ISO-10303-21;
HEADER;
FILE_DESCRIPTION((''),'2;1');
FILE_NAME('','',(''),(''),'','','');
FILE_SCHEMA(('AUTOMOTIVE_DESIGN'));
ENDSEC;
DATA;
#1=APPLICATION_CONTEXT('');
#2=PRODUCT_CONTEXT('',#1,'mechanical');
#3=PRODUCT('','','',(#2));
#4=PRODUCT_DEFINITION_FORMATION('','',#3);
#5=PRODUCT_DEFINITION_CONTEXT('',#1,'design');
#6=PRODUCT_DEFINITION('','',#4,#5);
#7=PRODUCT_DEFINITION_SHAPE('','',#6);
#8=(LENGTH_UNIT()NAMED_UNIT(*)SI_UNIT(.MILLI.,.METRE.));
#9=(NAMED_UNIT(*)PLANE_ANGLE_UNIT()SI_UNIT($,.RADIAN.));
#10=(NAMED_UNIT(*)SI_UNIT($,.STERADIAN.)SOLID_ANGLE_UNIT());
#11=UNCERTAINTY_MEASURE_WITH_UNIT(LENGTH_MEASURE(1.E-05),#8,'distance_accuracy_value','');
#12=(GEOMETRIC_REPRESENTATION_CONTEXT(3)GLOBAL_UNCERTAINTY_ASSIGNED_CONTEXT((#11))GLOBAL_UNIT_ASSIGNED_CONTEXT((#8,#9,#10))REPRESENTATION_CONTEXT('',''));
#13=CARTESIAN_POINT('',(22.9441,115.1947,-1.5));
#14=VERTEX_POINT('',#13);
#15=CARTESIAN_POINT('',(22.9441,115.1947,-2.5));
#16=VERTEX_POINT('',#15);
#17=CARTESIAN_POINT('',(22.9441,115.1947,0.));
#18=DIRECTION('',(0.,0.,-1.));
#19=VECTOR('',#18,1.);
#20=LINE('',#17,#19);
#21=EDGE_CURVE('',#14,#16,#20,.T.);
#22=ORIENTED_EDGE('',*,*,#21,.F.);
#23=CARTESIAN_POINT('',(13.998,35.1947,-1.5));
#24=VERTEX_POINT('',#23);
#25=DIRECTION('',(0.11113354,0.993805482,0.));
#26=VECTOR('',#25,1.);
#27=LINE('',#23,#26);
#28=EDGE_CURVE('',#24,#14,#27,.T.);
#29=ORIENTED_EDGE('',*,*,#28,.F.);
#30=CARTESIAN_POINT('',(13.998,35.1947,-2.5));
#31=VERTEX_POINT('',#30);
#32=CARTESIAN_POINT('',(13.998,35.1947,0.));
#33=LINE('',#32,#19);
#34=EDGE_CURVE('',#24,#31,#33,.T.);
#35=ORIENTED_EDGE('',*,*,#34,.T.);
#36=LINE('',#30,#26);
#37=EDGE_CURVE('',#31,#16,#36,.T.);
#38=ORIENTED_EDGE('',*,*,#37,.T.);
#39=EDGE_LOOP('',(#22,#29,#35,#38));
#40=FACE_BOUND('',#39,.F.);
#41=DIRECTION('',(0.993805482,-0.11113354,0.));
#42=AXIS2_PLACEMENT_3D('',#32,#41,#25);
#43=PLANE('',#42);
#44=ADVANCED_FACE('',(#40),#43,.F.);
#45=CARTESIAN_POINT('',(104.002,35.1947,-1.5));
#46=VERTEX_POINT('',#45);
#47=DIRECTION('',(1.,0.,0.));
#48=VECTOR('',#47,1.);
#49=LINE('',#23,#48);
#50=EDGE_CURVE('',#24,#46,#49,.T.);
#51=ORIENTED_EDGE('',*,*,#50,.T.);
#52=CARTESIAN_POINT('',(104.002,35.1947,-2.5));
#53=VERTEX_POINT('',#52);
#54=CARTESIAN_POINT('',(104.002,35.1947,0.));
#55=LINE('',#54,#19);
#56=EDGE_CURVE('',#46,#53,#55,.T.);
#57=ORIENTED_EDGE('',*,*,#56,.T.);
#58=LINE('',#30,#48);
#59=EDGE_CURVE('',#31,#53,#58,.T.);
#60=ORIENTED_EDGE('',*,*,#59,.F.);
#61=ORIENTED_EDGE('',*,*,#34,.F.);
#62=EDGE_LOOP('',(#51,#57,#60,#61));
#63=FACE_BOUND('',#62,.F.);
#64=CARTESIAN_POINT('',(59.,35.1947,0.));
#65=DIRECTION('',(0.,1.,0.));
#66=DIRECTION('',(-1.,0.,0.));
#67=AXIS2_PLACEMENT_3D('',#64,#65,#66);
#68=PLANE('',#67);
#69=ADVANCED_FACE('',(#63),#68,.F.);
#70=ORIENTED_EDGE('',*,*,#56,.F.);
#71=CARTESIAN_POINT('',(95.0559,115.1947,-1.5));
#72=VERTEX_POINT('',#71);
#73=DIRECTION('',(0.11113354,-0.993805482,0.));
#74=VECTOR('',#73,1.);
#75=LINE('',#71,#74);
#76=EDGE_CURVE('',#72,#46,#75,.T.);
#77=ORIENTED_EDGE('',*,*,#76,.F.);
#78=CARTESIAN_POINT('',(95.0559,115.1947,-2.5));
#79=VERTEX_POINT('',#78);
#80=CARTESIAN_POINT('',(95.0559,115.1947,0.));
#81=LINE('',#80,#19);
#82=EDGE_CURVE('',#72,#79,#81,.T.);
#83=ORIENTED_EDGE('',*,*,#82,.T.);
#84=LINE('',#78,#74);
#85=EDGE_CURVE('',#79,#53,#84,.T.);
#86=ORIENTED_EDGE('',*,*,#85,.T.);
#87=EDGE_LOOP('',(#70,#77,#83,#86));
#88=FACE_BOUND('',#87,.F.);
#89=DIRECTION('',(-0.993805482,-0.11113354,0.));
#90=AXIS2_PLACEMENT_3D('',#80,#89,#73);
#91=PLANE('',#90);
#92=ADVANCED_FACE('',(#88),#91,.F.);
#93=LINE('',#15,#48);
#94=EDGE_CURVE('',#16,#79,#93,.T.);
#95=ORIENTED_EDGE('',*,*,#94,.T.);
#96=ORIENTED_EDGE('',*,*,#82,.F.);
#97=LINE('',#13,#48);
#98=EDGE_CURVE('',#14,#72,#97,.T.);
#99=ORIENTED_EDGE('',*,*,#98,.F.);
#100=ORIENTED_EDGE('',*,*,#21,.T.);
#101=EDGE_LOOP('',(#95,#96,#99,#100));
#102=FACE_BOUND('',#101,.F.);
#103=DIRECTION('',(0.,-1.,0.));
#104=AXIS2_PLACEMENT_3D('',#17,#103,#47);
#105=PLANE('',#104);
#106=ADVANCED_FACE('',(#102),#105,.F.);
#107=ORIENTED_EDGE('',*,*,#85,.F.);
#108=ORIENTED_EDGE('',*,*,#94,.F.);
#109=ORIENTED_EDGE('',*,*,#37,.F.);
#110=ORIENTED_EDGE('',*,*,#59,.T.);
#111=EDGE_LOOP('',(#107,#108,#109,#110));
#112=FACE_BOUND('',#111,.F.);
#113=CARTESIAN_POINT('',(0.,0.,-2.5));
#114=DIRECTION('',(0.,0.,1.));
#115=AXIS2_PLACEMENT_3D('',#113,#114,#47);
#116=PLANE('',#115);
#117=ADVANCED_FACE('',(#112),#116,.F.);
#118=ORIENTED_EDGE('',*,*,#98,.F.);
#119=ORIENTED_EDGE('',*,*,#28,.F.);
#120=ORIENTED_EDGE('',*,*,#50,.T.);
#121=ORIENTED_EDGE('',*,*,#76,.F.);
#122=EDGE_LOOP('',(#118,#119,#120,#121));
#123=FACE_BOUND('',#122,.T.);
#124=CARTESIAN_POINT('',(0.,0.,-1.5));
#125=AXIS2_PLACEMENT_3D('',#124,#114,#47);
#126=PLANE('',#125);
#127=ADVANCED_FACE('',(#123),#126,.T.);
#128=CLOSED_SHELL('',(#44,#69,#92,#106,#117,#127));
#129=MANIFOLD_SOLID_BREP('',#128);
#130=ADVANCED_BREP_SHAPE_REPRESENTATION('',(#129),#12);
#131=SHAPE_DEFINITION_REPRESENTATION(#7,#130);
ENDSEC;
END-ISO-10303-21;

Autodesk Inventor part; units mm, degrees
ref_plane "YZ Plane" through (0, 0, 0) normal (1, 0, 0) x (0, 1, 0)
ref_plane "XZ Plane" through (0, 0, 0) normal (0, 1, 0) x (-1, 0, 0)
ref_plane "XY Plane" through (0, 0, 0) normal (0, 0, 1) x (1, 0, 0)
sketch "Sketch1" plane through (0, 0, 0) normal (0, 0, 1) x (1, 0, 0)
  line L0 (0, 0) -> (14, 125.1947)
  line L1 (14, 125.1947) -> (104, 125.1947)
  line L2 (104, 125.1947) -> (118, 0)
  line L3 (16, 0) -> (28, 0)
  line L4 (28, 0) -> (28, -4)
  line L5 (28, -4) -> (16, -4)
  line L6 (16, -4) -> (16, 0)
  line L7 (66, 0) -> (78, 0)
  line L8 (78, 0) -> (78, -4)
  line L9 (78, -4) -> (66, -4)
  line L10 (66, -4) -> (66, 0)
  line L11 (40, 0) -> (52, 0)
  line L12 (52, 0) -> (52, -4)
  line L13 (52, -4) -> (40, -4)
  line L14 (40, -4) -> (40, 0)
  line L15 (90, 0) -> (102, 0)
  line L16 (102, 0) -> (102, -4)
  line L17 (102, -4) -> (90, -4)
  line L18 (90, -4) -> (90, 0)
  line L19 (78, 0) -> (90, 0)
  line L20 (28, 0) -> (40, 0)
  line L21 (102, 0) -> (118, 0)
  line L22 (16, 0) -> (0, 0)
  line L23 (52, 0) -> (66, 0)
  line L24 (102, -4) -> (118.4473, -4)
  line L25 (118.4473, -4) -> (118, 0)
  dimension "d229" = 90
  dimension "d232" = 16
  dimension "d233" = 12
  dimension "d234" = 12
  dimension "d235" = 4
  dimension "d239" = 14
  dimension "d241" = 130
extrude "Extrusion1" add sketch "Sketch1" against normal blind 4 contours L0 L1 L2 L21 L15 L19 L7 L23 L11 L20 L3 L22 | L3 L4 L5 L6 | L11 L12 L13 L14 | L16 L17 L18 L15 | L7 L8 L9 L10
sketch "Sketch2" plane through (0, 0, 0) normal (0, 0, 1) x (1, 0, 0)
  line L0 (9, 25) -> (109, 25)
  line L1 (109, 25) -> (109, 8)
  line L2 (109, 8) -> (9, 8)
  line L3 (9, 8) -> (9, 25)
  line L4 (22.9441, 115.1947) -> (95.0559, 115.1947)
  line L5 (95.0559, 115.1947) -> (104.002, 35.1947)
  line L6 (104.002, 35.1947) -> (13.998, 35.1947)
  line L7 (13.998, 35.1947) -> (22.9441, 115.1947)
  line L8 (118, 0) -> (104, 125.1947) projected
  line L9 (14, 125.1947) -> (0, 0) projected
  line L10 (104, 125.1947) -> (14, 125.1947) projected
  line L11 (59, 125.1947) -> (59, 0)
  line L12 (52, 0) -> (66, 0) projected
  dimension "d242" = 100
  dimension "d243" = 17
  dimension "d245" = 8
  dimension "d246" = 10
  dimension "d247" = 80
  dimension "d249" = 10
extrude "Extrusion2" cut sketch "Sketch2" against normal blind 4
extrude "Extrusion3" add sketch "Sketch2" against normal blind 2.5 contours L6 L7 L4 L11 | L11 L4 L5 L6
extrude "Extrusion4" cut sketch "Sketch2" against normal blind 1.5 contours L6 L7 L4 L11 | L11 L4 L5 L6
extrude "Extrusion5" cut sketch "Sketch2" against normal blind 2.5 contours L6 L7 L4 L11 | L11 L4 L5 L6 keep common part
properties part number "Langbektang houder" material "Glass"
